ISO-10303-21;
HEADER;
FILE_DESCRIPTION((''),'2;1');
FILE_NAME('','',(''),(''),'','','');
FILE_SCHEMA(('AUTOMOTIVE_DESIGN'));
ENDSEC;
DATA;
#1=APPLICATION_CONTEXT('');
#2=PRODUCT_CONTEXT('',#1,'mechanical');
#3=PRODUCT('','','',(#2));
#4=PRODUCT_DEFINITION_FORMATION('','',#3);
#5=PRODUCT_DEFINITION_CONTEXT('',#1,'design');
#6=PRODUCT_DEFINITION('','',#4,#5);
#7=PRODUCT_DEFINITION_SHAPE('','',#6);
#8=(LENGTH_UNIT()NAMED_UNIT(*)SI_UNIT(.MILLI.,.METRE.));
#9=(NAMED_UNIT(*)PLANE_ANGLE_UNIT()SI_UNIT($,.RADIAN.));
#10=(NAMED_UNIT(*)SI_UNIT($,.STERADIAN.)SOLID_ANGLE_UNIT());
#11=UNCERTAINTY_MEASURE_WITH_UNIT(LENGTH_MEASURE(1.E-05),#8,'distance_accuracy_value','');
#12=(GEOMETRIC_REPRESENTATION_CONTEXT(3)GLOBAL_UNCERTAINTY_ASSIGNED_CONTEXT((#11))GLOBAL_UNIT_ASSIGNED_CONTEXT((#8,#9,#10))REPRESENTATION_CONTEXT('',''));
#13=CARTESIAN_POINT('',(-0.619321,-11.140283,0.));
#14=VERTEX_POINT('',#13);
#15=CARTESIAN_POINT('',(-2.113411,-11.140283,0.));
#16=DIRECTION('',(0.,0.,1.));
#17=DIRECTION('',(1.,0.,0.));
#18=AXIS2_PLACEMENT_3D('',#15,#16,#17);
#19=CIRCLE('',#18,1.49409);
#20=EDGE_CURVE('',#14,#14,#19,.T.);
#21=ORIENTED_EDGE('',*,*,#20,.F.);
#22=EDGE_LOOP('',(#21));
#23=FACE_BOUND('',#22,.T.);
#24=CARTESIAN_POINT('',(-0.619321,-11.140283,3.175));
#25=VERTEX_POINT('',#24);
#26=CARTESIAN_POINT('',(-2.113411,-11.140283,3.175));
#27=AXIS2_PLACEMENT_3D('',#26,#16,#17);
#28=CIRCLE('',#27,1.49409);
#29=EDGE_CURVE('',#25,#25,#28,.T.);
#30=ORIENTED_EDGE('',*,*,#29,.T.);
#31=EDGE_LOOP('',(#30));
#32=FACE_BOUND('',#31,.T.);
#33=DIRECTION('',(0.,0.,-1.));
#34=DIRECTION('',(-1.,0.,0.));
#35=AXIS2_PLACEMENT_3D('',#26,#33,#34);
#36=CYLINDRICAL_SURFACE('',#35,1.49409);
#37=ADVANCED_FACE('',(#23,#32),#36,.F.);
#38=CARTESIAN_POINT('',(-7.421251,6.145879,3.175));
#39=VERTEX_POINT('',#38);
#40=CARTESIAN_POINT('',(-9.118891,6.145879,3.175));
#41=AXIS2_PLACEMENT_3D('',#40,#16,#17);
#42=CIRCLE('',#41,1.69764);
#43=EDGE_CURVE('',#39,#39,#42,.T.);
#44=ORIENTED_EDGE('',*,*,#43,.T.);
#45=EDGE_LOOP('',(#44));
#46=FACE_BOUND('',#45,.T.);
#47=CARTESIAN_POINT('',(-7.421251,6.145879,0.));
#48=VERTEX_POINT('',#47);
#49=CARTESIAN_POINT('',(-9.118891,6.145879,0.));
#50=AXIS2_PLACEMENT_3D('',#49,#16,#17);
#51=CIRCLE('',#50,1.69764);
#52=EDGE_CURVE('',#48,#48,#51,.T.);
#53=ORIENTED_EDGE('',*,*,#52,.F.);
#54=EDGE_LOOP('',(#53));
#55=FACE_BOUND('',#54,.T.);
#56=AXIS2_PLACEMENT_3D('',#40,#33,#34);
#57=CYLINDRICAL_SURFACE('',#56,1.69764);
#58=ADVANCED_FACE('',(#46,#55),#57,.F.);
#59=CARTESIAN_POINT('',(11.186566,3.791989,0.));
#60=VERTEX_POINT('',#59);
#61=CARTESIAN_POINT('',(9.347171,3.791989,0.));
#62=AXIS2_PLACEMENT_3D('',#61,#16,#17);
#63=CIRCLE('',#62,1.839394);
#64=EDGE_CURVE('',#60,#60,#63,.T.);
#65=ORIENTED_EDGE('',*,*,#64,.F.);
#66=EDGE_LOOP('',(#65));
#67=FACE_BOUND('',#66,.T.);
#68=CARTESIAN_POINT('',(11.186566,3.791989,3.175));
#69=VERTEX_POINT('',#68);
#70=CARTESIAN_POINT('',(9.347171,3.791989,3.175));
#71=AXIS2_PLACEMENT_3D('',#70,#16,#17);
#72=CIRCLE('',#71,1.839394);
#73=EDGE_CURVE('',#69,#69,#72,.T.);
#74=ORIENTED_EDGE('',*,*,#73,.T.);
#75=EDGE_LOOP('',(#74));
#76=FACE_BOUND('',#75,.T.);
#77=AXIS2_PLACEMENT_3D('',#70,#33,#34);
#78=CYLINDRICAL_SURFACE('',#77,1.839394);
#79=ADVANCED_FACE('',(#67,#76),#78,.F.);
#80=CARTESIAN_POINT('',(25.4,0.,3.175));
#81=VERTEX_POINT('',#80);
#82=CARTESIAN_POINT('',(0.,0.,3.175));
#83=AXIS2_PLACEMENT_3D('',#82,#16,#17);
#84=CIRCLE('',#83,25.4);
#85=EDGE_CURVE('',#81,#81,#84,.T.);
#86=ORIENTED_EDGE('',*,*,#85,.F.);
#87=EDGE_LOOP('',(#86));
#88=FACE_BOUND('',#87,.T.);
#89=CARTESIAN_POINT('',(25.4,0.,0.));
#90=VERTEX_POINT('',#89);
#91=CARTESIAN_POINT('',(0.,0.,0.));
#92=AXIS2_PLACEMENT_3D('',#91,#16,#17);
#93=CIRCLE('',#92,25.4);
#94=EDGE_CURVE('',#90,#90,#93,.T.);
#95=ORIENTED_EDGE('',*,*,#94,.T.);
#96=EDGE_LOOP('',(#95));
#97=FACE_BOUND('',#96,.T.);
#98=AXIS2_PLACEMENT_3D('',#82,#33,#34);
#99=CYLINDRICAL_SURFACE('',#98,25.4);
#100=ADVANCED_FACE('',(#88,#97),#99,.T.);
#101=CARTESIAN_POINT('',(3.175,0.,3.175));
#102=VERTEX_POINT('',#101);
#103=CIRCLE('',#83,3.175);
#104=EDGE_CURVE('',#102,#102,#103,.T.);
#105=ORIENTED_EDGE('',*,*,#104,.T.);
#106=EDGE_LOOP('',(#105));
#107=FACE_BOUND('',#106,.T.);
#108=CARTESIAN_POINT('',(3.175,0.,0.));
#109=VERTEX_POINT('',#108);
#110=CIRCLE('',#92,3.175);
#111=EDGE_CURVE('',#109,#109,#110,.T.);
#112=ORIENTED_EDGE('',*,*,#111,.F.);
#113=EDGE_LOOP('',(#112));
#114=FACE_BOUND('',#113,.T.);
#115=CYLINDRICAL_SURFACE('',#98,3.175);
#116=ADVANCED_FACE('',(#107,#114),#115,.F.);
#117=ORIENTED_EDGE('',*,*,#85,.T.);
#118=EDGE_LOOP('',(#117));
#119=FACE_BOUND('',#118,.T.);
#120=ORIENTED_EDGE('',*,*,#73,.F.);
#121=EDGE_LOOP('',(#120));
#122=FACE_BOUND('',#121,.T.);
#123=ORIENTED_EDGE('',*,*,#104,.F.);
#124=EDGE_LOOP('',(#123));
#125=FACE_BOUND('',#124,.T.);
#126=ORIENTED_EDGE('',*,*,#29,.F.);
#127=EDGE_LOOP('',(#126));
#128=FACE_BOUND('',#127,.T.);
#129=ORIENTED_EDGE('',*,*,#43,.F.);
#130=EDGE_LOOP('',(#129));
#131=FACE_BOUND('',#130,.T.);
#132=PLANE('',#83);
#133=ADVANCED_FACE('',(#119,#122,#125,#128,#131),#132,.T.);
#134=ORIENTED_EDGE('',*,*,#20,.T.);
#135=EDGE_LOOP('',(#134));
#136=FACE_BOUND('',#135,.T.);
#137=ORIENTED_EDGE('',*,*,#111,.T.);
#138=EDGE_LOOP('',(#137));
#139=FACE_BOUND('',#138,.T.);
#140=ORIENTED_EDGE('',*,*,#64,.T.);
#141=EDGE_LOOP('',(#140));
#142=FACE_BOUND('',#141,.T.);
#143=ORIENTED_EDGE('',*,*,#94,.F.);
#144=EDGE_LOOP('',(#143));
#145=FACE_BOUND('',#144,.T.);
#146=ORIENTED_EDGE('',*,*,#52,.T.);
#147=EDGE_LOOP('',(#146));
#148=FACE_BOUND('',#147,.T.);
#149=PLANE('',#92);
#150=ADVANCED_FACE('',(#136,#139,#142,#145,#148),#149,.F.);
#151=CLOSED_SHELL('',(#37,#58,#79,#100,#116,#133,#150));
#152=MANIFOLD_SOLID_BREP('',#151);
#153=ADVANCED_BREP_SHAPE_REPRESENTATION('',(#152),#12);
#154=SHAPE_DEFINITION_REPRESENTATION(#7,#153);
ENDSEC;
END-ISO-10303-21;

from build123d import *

# Parameters (mm, degrees)
SKETCH1_R           = 25.4
SKETCH1_R_2         = 3.175
BOSS_EXTRUDE1_DEPTH = 3.175
ATTACHMENTHOLES_R   = 1.697640298
ATTACHMENTHOLES_R_2 = 1.839394333
ATTACHMENTHOLES_R_3 = 1.494089935
CUT_EXTRUDE1_DEPTH  = 37.061067996


with BuildPart() as part:
    # Sketch1 → Boss-Extrude1 (new body)
    with BuildSketch(Plane.XY):
        Circle(SKETCH1_R)
        Circle(SKETCH1_R_2, mode=Mode.SUBTRACT)
    extrude(amount=BOSS_EXTRUDE1_DEPTH)

    # AttachmentHoles → Cut-Extrude1 (cut, through all)
    with BuildSketch(Plane.XY):
        with Locations((-9.118891252, 6.145879466)):
            Circle(ATTACHMENTHOLES_R)
        with Locations((9.347171253, 3.791989153)):
            Circle(ATTACHMENTHOLES_R_2)
        with Locations((-2.113411396, -11.140283228)):
            Circle(ATTACHMENTHOLES_R_3)
    extrude(amount=CUT_EXTRUDE1_DEPTH, mode=Mode.SUBTRACT)


solid = part.part
